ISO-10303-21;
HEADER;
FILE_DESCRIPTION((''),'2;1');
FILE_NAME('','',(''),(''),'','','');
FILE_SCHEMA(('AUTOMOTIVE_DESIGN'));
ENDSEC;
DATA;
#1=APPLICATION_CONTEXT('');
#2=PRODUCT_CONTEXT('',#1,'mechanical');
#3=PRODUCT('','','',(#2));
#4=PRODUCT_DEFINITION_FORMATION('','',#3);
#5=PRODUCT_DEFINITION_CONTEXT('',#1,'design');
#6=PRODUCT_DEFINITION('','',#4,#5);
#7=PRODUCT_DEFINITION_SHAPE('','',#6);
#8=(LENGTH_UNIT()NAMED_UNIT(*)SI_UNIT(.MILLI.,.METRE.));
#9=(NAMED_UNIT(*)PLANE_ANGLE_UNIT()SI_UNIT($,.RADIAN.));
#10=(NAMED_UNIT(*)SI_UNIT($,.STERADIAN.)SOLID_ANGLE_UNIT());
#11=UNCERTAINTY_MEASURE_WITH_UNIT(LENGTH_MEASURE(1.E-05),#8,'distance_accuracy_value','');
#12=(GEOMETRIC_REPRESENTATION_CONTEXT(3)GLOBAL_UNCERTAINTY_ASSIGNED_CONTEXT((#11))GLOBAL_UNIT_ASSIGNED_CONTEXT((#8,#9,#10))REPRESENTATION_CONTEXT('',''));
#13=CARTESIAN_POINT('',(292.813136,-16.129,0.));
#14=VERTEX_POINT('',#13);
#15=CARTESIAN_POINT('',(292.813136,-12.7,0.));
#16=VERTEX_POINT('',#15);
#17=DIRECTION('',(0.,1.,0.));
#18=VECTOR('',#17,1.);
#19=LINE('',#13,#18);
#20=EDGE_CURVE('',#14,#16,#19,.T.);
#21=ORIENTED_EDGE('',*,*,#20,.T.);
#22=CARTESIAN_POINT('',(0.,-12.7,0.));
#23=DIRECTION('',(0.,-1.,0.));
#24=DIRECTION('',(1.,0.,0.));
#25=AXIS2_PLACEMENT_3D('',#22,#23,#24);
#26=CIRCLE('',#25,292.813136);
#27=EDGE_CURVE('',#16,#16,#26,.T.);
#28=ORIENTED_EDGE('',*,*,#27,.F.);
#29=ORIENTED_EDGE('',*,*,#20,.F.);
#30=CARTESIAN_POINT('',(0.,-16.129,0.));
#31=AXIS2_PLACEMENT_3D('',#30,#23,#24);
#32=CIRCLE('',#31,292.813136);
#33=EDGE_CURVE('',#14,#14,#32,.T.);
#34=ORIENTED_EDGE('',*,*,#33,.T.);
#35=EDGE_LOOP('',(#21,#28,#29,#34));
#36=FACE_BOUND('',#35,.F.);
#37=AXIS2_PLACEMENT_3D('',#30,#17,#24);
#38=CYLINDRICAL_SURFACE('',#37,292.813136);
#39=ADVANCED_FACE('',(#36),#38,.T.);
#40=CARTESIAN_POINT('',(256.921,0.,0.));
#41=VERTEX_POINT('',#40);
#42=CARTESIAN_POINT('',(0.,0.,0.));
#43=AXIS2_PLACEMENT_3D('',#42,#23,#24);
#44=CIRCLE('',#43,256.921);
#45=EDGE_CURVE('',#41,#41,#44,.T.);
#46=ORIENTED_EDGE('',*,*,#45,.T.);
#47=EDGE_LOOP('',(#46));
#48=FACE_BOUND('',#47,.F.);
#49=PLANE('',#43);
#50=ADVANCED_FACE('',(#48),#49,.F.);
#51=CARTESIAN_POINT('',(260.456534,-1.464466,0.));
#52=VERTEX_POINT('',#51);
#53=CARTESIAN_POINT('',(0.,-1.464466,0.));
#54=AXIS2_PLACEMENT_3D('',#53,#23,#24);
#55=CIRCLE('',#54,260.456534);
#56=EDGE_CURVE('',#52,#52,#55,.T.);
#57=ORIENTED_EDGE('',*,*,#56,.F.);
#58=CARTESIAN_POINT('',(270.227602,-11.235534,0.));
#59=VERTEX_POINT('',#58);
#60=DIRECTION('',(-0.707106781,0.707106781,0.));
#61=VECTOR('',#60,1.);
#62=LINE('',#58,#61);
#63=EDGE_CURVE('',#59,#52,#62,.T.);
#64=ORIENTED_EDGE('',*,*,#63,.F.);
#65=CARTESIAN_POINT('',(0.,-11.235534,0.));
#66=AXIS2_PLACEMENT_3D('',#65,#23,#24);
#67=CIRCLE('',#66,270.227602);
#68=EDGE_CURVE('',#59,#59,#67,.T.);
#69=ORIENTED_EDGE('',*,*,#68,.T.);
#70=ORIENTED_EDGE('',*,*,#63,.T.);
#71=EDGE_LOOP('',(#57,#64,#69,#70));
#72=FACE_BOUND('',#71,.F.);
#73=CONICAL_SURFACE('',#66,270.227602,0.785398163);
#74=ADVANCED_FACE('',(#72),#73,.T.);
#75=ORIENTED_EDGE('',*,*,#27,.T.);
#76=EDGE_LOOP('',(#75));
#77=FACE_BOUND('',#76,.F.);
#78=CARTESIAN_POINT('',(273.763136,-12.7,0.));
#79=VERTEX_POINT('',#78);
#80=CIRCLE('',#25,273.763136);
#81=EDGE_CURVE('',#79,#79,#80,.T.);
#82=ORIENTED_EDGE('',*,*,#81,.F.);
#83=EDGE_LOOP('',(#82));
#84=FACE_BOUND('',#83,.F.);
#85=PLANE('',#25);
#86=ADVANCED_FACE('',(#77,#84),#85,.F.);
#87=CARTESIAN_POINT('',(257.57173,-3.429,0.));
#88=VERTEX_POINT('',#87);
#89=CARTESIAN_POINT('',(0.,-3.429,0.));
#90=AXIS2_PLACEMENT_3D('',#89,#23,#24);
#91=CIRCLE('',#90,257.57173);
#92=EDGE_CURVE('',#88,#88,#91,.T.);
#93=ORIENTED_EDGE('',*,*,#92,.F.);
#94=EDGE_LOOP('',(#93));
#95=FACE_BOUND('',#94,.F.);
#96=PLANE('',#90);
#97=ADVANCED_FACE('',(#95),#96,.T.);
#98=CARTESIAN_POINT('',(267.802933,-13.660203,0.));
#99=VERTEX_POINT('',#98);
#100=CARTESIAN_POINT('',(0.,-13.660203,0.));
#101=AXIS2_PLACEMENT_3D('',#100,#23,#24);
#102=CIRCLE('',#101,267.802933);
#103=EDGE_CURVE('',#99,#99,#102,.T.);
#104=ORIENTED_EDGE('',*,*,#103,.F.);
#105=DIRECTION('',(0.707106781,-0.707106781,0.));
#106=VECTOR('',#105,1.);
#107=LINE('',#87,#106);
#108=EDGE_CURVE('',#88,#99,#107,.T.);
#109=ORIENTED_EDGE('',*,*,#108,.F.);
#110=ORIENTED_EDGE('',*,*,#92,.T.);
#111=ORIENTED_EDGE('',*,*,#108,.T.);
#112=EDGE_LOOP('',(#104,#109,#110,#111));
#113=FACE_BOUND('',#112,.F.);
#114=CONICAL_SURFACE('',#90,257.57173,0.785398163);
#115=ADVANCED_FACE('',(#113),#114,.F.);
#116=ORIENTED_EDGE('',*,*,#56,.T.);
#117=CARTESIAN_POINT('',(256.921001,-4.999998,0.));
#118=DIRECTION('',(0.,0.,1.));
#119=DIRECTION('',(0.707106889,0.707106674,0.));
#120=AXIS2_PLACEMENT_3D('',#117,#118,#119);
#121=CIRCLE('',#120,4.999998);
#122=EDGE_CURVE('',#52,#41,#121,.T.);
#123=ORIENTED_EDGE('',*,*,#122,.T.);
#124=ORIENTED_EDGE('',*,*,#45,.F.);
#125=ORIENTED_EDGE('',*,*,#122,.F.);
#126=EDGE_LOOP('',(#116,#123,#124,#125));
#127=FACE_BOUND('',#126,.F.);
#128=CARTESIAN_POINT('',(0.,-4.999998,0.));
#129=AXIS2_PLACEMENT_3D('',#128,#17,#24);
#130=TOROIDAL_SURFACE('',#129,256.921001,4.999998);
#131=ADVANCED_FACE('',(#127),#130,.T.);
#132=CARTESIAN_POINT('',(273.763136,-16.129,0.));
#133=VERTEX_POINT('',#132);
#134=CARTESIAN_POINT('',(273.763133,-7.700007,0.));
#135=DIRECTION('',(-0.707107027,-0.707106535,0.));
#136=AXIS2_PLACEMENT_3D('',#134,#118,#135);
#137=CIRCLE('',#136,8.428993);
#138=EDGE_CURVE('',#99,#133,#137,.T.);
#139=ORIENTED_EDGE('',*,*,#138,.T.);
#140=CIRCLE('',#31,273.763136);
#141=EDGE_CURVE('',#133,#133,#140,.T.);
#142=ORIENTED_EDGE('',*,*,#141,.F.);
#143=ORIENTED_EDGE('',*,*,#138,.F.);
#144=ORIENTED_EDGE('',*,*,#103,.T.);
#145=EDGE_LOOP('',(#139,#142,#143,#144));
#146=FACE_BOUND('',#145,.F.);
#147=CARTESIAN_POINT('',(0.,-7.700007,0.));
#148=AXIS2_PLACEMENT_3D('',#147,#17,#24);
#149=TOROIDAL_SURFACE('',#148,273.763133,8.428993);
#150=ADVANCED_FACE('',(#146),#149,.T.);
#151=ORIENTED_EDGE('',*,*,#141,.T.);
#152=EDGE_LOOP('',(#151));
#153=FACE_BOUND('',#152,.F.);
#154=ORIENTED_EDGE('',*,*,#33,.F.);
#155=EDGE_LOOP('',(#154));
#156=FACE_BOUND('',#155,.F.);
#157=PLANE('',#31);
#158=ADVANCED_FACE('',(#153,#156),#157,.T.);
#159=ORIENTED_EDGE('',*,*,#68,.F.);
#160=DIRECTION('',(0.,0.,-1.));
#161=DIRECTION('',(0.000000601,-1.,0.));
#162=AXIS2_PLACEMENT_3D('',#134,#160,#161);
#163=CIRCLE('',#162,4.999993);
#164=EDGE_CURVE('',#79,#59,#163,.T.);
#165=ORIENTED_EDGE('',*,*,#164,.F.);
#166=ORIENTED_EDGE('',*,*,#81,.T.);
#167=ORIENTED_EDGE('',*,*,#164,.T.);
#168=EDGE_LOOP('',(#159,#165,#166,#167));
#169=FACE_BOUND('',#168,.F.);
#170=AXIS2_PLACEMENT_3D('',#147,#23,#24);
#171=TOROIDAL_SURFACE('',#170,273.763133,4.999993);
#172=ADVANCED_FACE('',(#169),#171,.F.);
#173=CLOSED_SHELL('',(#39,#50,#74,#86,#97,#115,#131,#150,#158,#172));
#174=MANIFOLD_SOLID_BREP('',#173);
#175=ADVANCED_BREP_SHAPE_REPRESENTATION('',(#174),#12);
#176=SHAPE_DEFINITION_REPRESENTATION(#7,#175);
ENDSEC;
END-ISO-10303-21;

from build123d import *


with BuildPart() as f1:
    # F0 (on Top) → F1 (revolve)
    with BuildSketch(Plane.XY):
        with BuildLine():
            Line((256.921, 0), (0, 0))
            Line((0, 0), (0, -3.429))
            Line((0, -3.429), (257.57173, -3.429))
            Line((257.57173, -3.429), (267.802933, -13.660203))
            ThreePointArc((267.802933, -13.660203), (270.537497, -15.487381), (273.763136, -16.129))
            Line((273.763136, -16.129), (292.813136, -16.129))
            Line((292.813136, -16.129), (292.813136, -12.7))
            Line((292.813136, -12.7), (273.763136, -12.7))
            ThreePointArc((273.763136, -12.7), (271.849718, -12.319398), (270.227602, -11.235534))
            Line((270.227602, -11.235534), (260.456534, -1.464466))
            ThreePointArc((260.456534, -1.464466), (258.834417, -0.380602), (256.921, 0))
        make_face()
    revolve(axis=Axis((0, -1.7145, 0), (0, -1, 0)))


solid = f1.part
